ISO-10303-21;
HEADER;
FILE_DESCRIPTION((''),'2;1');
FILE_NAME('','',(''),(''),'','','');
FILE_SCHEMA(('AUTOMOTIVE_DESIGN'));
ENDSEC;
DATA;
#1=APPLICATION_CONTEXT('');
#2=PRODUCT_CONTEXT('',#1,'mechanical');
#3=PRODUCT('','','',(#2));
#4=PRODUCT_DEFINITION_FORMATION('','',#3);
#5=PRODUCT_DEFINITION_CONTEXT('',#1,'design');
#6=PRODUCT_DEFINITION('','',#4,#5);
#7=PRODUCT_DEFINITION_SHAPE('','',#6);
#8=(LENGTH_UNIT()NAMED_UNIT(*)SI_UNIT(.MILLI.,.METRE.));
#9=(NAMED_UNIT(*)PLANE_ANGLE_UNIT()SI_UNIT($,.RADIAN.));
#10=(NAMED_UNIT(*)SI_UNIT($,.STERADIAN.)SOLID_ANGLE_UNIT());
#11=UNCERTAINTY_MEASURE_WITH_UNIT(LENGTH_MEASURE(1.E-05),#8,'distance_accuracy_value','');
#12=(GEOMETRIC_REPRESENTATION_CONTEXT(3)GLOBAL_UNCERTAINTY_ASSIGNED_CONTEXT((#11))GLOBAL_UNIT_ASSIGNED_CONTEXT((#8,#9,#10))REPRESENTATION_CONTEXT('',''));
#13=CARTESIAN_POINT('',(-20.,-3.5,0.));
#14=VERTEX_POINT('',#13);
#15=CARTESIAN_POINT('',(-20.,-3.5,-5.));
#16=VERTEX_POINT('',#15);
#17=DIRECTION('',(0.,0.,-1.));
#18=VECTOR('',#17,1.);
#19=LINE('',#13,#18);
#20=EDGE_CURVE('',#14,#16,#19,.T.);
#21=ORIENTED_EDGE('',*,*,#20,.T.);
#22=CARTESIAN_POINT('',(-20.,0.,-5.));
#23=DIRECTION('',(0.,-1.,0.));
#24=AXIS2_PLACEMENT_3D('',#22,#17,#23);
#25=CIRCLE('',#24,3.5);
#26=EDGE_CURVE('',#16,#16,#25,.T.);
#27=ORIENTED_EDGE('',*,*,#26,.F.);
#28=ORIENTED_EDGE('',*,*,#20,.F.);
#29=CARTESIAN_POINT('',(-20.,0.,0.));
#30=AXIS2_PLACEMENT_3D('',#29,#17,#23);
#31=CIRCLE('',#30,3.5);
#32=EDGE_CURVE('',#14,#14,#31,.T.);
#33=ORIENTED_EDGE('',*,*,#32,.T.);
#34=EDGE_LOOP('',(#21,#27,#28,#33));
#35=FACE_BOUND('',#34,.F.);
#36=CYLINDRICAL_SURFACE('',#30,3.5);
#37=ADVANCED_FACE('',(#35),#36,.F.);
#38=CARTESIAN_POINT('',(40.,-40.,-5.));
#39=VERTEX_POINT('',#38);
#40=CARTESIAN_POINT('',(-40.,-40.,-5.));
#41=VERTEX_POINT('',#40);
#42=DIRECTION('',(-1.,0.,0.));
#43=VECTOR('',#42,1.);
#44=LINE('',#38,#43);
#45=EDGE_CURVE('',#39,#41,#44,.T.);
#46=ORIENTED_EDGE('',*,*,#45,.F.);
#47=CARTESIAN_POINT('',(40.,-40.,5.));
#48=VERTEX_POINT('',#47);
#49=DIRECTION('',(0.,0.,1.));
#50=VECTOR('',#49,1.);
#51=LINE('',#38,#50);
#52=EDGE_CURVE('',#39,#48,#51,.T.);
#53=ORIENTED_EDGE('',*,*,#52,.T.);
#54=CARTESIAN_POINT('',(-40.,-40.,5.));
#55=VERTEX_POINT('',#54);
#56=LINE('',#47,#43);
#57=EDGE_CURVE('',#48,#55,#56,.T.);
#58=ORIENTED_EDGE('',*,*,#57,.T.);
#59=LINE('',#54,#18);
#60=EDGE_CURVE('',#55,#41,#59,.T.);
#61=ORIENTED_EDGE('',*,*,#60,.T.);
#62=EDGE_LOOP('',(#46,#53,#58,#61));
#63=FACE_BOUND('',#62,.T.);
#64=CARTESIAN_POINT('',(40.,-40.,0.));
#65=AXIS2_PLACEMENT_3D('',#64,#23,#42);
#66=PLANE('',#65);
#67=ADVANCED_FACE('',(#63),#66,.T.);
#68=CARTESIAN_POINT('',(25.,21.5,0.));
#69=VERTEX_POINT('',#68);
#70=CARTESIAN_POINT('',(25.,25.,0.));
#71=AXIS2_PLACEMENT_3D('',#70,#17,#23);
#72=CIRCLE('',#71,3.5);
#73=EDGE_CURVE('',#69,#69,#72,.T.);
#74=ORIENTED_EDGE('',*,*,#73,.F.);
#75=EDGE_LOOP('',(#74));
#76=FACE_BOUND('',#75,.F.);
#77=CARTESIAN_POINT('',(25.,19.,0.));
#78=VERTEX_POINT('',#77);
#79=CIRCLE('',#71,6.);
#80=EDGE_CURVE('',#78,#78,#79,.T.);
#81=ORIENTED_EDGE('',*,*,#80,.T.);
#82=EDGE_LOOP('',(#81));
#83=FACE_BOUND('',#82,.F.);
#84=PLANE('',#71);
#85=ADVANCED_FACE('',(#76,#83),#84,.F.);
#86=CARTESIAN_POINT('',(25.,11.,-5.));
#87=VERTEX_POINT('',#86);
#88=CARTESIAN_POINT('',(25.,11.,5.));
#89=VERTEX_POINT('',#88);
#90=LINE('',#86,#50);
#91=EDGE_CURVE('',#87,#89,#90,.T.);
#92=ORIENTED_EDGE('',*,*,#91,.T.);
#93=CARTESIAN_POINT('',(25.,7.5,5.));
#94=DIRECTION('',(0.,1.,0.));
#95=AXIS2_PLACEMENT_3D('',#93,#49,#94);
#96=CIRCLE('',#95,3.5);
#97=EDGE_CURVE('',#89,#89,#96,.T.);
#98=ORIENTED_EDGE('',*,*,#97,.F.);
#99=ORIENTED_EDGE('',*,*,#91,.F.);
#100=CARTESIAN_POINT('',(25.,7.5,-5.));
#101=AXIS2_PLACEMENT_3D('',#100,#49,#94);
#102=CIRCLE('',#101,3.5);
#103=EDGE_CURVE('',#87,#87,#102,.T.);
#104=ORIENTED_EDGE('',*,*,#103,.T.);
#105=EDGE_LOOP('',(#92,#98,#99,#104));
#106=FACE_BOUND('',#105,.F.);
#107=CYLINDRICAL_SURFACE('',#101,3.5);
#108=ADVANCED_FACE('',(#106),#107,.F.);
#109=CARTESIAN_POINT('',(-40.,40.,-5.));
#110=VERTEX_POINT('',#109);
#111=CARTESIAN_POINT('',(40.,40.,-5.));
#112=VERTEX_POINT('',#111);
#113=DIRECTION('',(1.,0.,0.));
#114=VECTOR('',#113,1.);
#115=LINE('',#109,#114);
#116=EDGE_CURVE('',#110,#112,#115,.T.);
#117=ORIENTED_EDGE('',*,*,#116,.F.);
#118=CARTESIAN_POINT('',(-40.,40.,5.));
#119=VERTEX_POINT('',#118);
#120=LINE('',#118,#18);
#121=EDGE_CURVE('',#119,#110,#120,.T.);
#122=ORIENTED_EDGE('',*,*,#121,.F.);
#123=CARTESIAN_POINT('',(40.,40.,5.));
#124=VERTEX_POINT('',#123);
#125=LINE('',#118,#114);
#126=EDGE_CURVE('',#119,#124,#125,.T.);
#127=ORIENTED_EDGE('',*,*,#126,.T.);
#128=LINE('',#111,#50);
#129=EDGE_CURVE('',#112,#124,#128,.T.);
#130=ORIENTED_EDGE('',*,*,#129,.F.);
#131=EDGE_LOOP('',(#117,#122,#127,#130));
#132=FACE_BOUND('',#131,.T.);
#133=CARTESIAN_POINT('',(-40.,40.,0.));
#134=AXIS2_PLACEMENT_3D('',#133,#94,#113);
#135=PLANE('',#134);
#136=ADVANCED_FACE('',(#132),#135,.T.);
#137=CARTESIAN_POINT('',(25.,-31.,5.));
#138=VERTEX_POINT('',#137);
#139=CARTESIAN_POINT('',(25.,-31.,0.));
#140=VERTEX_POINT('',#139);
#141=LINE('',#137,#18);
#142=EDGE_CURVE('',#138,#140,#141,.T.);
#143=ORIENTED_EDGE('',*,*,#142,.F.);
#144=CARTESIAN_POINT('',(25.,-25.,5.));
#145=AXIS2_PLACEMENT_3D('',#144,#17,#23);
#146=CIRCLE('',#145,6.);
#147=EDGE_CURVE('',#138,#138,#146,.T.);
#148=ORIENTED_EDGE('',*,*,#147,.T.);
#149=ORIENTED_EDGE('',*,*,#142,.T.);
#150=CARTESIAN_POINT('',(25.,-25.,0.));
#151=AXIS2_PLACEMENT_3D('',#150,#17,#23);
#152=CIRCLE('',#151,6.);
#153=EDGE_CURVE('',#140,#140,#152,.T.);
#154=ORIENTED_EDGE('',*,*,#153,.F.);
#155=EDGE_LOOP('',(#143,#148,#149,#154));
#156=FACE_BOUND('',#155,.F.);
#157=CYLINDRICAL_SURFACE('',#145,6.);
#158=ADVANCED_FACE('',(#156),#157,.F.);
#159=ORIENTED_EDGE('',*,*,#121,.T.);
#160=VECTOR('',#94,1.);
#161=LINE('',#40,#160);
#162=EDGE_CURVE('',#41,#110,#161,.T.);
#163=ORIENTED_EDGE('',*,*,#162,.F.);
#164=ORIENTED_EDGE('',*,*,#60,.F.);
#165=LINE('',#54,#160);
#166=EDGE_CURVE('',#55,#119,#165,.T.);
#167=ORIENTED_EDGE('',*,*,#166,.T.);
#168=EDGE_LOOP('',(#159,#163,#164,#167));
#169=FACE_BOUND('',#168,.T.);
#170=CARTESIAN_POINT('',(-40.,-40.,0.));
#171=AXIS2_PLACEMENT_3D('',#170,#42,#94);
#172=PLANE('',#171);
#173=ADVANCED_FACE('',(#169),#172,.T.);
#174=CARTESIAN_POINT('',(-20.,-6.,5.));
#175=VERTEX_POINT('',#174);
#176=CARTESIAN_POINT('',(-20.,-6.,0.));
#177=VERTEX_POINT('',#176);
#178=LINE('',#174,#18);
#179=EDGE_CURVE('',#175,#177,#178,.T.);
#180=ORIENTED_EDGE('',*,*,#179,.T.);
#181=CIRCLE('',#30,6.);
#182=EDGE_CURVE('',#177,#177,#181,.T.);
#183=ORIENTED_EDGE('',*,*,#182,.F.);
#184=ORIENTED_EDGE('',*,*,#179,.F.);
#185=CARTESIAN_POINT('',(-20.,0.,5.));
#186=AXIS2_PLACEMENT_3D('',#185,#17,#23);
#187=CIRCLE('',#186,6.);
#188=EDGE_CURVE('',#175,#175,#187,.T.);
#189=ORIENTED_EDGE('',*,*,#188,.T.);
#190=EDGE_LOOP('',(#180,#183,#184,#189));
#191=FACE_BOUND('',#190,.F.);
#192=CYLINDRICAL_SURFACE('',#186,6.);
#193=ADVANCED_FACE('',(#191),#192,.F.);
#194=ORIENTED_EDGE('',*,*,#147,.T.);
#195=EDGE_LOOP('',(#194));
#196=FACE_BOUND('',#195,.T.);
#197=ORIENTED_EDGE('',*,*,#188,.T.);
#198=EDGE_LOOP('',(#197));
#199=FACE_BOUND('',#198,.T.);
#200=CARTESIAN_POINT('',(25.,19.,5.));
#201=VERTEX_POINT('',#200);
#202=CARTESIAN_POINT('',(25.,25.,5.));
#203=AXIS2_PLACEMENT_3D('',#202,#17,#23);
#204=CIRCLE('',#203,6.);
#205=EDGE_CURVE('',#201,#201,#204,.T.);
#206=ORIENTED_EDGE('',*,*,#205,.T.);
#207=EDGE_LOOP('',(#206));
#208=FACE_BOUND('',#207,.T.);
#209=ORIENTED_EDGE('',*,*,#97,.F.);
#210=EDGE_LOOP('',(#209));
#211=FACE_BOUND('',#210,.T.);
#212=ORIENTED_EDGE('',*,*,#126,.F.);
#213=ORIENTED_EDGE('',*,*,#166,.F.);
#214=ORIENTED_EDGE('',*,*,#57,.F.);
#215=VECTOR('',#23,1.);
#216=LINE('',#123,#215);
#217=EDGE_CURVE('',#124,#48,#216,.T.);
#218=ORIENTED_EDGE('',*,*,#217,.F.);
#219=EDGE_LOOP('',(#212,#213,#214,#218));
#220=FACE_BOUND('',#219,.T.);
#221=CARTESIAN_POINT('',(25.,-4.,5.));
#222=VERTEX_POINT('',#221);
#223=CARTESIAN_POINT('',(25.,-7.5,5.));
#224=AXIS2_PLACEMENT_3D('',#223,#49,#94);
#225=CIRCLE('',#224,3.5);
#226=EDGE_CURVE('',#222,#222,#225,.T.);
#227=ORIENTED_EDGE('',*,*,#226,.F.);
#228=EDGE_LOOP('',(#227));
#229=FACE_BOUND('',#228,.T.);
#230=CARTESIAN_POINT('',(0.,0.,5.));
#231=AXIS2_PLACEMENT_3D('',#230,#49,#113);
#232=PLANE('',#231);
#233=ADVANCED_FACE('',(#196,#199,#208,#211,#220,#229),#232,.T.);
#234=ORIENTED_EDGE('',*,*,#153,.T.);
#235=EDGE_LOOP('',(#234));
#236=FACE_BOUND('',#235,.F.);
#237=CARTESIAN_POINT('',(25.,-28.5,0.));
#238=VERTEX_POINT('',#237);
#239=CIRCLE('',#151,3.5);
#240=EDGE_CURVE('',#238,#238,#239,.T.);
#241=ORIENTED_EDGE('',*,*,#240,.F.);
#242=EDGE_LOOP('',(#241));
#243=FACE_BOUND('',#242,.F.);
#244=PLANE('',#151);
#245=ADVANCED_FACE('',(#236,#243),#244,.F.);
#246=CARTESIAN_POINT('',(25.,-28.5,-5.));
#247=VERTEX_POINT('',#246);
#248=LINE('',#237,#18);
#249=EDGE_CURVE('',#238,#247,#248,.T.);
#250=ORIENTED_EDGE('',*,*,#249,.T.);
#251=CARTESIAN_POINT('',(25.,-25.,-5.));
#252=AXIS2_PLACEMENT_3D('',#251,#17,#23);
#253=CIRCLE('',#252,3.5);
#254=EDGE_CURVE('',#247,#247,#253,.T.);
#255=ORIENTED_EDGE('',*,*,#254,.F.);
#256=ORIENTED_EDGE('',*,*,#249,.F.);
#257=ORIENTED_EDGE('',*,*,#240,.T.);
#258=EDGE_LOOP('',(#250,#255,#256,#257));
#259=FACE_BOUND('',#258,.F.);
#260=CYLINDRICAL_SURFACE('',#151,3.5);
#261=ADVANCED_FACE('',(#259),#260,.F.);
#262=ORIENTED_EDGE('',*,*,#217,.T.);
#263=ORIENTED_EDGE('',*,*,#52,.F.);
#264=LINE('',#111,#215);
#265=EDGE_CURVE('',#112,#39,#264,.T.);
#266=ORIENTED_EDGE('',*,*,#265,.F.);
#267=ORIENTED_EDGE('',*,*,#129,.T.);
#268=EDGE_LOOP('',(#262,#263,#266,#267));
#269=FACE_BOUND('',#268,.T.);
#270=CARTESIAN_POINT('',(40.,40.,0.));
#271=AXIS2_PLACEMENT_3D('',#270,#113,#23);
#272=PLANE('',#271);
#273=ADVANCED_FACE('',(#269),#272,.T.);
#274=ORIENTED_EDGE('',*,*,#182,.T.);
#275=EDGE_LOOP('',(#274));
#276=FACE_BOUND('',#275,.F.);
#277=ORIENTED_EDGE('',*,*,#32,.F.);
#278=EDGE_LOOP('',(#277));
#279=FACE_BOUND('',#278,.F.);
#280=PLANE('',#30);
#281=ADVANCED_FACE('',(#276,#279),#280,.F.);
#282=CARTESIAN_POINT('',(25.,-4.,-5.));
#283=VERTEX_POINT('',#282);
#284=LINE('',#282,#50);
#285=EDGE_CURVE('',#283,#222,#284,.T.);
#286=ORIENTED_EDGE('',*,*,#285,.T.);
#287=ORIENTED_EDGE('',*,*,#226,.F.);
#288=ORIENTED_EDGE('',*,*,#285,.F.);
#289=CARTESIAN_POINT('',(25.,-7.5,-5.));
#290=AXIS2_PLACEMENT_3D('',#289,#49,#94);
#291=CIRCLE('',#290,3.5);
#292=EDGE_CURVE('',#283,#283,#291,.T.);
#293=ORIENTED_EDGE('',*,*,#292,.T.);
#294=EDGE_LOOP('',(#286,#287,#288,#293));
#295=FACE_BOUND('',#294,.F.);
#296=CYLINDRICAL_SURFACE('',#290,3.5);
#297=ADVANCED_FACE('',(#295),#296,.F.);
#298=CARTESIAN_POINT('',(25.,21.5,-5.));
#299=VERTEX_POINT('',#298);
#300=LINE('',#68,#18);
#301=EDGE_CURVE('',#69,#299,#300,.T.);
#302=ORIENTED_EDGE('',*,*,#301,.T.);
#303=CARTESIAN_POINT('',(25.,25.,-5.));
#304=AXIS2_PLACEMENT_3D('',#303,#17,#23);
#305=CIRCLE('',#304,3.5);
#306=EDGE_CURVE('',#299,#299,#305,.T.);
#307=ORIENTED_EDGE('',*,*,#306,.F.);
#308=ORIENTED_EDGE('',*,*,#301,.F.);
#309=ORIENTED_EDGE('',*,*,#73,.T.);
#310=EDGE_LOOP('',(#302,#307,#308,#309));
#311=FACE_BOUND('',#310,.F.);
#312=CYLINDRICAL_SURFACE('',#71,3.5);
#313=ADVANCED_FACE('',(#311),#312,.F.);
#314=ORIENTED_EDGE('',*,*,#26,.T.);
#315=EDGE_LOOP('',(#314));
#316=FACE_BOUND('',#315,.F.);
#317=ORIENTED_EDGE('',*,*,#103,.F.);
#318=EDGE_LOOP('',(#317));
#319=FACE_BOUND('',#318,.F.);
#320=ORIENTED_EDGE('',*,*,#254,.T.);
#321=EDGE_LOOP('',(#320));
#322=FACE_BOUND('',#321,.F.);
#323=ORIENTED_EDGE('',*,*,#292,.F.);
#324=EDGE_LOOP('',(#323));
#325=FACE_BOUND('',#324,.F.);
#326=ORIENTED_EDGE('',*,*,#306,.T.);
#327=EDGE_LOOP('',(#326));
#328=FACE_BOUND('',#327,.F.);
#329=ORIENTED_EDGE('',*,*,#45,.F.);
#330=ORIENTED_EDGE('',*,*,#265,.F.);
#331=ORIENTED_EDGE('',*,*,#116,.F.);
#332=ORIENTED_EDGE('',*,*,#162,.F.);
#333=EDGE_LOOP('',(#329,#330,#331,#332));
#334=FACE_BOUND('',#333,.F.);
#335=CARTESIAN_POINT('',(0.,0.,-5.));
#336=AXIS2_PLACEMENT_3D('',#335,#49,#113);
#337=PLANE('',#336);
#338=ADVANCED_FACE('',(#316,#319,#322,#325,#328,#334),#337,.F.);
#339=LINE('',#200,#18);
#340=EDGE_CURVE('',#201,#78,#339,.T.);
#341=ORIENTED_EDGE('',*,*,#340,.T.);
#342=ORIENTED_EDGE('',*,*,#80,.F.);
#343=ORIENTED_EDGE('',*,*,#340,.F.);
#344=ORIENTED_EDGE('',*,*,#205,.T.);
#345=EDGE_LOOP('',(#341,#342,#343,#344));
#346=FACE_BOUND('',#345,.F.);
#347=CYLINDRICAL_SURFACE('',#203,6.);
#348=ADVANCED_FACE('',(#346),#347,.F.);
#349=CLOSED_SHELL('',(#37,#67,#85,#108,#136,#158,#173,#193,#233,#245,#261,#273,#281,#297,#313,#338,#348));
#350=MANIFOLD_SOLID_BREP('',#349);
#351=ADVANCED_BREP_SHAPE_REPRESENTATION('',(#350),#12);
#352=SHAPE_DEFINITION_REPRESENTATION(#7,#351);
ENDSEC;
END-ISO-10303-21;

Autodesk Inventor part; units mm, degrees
ref_plane "YZ Plane" through (0, 0, 0) normal (1, 0, 0) x (0, 1, 0)
ref_plane "XZ Plane" through (0, 0, 0) normal (0, 1, 0) x (-1, 0, 0)
ref_plane "XY Plane" through (0, 0, 0) normal (0, 0, 1) x (1, 0, 0)
sketch "Sketch1" plane through (0, 0, 0) normal (0, 0, 1) x (1, 0, 0)
  line L0 (40, -40) -> (-40, -40)
  line L1 (-40, -40) -> (-40, 40)
  line L2 (-40, 40) -> (40, 40)
  line L3 (40, 40) -> (40, -40)
  line L4 (40, -40) -> (-40, 40) construction
  line L5 (-40, -40) -> (40, 40) construction
  point P0 (0, 0)
  dimension "d1" = 80
  dimension "d2" = 80
extrude "Extrusion1" add sketch "Sketch1" along normal mid plane 10
sketch "Sketch2" plane through (0, 0, 5) normal (0, 0, 1) x (1, 0, 0)
  line L0 (-40, 40) -> (-40, -40) projected
  line L1 (40, 40) -> (-40, 40) projected
  line L2 (40, -40) -> (40, 40) projected
  point P0 (0, 0)
  point P1 (25, 25)
  point P2 (25, -25)
  point P3 (-20, 0)
  point P4 (-40, 0)
  dimension "d27" = 15
  dimension "d31" = 15
  dimension "d32" = 50
  dimension "d33" = 40
  dimension "d34" = 20
hole "Hole1" at (25, 25, 5) at (25, -25, 5) at (-20, 0, 5) direction (0, 0, -1) diameter 7 depth 17.1 tip angle 118 counterbore diameter 12 counterbore depth 5
sketch "Sketch3" plane through (0, 0, -5) normal (0, 0, -1) x (-1, 0, 0)
  line L0 (-40, -40) -> (40, -40) projected
  line L1 (56, 0) -> (-56, 0) construction
  circle A0 centre (-25, 25) radius 3.5 projected
  point P0 (0, 0)
  point P1 (-25, -7.5)
  point P2 (-25, 7.5)
  dimension "d28" = 0
  dimension "d29" = 15
  dimension "d30" = 7.5
hole "Hole2" at (25, -7.5, -5) at (25, 7.5, -5) direction (0, 0, 1) diameter 7 depth 17.1 tip angle 118
properties part number "HCMUTE-CDT23-DE_GA_LOADCELL" material "Stainless Steel"
